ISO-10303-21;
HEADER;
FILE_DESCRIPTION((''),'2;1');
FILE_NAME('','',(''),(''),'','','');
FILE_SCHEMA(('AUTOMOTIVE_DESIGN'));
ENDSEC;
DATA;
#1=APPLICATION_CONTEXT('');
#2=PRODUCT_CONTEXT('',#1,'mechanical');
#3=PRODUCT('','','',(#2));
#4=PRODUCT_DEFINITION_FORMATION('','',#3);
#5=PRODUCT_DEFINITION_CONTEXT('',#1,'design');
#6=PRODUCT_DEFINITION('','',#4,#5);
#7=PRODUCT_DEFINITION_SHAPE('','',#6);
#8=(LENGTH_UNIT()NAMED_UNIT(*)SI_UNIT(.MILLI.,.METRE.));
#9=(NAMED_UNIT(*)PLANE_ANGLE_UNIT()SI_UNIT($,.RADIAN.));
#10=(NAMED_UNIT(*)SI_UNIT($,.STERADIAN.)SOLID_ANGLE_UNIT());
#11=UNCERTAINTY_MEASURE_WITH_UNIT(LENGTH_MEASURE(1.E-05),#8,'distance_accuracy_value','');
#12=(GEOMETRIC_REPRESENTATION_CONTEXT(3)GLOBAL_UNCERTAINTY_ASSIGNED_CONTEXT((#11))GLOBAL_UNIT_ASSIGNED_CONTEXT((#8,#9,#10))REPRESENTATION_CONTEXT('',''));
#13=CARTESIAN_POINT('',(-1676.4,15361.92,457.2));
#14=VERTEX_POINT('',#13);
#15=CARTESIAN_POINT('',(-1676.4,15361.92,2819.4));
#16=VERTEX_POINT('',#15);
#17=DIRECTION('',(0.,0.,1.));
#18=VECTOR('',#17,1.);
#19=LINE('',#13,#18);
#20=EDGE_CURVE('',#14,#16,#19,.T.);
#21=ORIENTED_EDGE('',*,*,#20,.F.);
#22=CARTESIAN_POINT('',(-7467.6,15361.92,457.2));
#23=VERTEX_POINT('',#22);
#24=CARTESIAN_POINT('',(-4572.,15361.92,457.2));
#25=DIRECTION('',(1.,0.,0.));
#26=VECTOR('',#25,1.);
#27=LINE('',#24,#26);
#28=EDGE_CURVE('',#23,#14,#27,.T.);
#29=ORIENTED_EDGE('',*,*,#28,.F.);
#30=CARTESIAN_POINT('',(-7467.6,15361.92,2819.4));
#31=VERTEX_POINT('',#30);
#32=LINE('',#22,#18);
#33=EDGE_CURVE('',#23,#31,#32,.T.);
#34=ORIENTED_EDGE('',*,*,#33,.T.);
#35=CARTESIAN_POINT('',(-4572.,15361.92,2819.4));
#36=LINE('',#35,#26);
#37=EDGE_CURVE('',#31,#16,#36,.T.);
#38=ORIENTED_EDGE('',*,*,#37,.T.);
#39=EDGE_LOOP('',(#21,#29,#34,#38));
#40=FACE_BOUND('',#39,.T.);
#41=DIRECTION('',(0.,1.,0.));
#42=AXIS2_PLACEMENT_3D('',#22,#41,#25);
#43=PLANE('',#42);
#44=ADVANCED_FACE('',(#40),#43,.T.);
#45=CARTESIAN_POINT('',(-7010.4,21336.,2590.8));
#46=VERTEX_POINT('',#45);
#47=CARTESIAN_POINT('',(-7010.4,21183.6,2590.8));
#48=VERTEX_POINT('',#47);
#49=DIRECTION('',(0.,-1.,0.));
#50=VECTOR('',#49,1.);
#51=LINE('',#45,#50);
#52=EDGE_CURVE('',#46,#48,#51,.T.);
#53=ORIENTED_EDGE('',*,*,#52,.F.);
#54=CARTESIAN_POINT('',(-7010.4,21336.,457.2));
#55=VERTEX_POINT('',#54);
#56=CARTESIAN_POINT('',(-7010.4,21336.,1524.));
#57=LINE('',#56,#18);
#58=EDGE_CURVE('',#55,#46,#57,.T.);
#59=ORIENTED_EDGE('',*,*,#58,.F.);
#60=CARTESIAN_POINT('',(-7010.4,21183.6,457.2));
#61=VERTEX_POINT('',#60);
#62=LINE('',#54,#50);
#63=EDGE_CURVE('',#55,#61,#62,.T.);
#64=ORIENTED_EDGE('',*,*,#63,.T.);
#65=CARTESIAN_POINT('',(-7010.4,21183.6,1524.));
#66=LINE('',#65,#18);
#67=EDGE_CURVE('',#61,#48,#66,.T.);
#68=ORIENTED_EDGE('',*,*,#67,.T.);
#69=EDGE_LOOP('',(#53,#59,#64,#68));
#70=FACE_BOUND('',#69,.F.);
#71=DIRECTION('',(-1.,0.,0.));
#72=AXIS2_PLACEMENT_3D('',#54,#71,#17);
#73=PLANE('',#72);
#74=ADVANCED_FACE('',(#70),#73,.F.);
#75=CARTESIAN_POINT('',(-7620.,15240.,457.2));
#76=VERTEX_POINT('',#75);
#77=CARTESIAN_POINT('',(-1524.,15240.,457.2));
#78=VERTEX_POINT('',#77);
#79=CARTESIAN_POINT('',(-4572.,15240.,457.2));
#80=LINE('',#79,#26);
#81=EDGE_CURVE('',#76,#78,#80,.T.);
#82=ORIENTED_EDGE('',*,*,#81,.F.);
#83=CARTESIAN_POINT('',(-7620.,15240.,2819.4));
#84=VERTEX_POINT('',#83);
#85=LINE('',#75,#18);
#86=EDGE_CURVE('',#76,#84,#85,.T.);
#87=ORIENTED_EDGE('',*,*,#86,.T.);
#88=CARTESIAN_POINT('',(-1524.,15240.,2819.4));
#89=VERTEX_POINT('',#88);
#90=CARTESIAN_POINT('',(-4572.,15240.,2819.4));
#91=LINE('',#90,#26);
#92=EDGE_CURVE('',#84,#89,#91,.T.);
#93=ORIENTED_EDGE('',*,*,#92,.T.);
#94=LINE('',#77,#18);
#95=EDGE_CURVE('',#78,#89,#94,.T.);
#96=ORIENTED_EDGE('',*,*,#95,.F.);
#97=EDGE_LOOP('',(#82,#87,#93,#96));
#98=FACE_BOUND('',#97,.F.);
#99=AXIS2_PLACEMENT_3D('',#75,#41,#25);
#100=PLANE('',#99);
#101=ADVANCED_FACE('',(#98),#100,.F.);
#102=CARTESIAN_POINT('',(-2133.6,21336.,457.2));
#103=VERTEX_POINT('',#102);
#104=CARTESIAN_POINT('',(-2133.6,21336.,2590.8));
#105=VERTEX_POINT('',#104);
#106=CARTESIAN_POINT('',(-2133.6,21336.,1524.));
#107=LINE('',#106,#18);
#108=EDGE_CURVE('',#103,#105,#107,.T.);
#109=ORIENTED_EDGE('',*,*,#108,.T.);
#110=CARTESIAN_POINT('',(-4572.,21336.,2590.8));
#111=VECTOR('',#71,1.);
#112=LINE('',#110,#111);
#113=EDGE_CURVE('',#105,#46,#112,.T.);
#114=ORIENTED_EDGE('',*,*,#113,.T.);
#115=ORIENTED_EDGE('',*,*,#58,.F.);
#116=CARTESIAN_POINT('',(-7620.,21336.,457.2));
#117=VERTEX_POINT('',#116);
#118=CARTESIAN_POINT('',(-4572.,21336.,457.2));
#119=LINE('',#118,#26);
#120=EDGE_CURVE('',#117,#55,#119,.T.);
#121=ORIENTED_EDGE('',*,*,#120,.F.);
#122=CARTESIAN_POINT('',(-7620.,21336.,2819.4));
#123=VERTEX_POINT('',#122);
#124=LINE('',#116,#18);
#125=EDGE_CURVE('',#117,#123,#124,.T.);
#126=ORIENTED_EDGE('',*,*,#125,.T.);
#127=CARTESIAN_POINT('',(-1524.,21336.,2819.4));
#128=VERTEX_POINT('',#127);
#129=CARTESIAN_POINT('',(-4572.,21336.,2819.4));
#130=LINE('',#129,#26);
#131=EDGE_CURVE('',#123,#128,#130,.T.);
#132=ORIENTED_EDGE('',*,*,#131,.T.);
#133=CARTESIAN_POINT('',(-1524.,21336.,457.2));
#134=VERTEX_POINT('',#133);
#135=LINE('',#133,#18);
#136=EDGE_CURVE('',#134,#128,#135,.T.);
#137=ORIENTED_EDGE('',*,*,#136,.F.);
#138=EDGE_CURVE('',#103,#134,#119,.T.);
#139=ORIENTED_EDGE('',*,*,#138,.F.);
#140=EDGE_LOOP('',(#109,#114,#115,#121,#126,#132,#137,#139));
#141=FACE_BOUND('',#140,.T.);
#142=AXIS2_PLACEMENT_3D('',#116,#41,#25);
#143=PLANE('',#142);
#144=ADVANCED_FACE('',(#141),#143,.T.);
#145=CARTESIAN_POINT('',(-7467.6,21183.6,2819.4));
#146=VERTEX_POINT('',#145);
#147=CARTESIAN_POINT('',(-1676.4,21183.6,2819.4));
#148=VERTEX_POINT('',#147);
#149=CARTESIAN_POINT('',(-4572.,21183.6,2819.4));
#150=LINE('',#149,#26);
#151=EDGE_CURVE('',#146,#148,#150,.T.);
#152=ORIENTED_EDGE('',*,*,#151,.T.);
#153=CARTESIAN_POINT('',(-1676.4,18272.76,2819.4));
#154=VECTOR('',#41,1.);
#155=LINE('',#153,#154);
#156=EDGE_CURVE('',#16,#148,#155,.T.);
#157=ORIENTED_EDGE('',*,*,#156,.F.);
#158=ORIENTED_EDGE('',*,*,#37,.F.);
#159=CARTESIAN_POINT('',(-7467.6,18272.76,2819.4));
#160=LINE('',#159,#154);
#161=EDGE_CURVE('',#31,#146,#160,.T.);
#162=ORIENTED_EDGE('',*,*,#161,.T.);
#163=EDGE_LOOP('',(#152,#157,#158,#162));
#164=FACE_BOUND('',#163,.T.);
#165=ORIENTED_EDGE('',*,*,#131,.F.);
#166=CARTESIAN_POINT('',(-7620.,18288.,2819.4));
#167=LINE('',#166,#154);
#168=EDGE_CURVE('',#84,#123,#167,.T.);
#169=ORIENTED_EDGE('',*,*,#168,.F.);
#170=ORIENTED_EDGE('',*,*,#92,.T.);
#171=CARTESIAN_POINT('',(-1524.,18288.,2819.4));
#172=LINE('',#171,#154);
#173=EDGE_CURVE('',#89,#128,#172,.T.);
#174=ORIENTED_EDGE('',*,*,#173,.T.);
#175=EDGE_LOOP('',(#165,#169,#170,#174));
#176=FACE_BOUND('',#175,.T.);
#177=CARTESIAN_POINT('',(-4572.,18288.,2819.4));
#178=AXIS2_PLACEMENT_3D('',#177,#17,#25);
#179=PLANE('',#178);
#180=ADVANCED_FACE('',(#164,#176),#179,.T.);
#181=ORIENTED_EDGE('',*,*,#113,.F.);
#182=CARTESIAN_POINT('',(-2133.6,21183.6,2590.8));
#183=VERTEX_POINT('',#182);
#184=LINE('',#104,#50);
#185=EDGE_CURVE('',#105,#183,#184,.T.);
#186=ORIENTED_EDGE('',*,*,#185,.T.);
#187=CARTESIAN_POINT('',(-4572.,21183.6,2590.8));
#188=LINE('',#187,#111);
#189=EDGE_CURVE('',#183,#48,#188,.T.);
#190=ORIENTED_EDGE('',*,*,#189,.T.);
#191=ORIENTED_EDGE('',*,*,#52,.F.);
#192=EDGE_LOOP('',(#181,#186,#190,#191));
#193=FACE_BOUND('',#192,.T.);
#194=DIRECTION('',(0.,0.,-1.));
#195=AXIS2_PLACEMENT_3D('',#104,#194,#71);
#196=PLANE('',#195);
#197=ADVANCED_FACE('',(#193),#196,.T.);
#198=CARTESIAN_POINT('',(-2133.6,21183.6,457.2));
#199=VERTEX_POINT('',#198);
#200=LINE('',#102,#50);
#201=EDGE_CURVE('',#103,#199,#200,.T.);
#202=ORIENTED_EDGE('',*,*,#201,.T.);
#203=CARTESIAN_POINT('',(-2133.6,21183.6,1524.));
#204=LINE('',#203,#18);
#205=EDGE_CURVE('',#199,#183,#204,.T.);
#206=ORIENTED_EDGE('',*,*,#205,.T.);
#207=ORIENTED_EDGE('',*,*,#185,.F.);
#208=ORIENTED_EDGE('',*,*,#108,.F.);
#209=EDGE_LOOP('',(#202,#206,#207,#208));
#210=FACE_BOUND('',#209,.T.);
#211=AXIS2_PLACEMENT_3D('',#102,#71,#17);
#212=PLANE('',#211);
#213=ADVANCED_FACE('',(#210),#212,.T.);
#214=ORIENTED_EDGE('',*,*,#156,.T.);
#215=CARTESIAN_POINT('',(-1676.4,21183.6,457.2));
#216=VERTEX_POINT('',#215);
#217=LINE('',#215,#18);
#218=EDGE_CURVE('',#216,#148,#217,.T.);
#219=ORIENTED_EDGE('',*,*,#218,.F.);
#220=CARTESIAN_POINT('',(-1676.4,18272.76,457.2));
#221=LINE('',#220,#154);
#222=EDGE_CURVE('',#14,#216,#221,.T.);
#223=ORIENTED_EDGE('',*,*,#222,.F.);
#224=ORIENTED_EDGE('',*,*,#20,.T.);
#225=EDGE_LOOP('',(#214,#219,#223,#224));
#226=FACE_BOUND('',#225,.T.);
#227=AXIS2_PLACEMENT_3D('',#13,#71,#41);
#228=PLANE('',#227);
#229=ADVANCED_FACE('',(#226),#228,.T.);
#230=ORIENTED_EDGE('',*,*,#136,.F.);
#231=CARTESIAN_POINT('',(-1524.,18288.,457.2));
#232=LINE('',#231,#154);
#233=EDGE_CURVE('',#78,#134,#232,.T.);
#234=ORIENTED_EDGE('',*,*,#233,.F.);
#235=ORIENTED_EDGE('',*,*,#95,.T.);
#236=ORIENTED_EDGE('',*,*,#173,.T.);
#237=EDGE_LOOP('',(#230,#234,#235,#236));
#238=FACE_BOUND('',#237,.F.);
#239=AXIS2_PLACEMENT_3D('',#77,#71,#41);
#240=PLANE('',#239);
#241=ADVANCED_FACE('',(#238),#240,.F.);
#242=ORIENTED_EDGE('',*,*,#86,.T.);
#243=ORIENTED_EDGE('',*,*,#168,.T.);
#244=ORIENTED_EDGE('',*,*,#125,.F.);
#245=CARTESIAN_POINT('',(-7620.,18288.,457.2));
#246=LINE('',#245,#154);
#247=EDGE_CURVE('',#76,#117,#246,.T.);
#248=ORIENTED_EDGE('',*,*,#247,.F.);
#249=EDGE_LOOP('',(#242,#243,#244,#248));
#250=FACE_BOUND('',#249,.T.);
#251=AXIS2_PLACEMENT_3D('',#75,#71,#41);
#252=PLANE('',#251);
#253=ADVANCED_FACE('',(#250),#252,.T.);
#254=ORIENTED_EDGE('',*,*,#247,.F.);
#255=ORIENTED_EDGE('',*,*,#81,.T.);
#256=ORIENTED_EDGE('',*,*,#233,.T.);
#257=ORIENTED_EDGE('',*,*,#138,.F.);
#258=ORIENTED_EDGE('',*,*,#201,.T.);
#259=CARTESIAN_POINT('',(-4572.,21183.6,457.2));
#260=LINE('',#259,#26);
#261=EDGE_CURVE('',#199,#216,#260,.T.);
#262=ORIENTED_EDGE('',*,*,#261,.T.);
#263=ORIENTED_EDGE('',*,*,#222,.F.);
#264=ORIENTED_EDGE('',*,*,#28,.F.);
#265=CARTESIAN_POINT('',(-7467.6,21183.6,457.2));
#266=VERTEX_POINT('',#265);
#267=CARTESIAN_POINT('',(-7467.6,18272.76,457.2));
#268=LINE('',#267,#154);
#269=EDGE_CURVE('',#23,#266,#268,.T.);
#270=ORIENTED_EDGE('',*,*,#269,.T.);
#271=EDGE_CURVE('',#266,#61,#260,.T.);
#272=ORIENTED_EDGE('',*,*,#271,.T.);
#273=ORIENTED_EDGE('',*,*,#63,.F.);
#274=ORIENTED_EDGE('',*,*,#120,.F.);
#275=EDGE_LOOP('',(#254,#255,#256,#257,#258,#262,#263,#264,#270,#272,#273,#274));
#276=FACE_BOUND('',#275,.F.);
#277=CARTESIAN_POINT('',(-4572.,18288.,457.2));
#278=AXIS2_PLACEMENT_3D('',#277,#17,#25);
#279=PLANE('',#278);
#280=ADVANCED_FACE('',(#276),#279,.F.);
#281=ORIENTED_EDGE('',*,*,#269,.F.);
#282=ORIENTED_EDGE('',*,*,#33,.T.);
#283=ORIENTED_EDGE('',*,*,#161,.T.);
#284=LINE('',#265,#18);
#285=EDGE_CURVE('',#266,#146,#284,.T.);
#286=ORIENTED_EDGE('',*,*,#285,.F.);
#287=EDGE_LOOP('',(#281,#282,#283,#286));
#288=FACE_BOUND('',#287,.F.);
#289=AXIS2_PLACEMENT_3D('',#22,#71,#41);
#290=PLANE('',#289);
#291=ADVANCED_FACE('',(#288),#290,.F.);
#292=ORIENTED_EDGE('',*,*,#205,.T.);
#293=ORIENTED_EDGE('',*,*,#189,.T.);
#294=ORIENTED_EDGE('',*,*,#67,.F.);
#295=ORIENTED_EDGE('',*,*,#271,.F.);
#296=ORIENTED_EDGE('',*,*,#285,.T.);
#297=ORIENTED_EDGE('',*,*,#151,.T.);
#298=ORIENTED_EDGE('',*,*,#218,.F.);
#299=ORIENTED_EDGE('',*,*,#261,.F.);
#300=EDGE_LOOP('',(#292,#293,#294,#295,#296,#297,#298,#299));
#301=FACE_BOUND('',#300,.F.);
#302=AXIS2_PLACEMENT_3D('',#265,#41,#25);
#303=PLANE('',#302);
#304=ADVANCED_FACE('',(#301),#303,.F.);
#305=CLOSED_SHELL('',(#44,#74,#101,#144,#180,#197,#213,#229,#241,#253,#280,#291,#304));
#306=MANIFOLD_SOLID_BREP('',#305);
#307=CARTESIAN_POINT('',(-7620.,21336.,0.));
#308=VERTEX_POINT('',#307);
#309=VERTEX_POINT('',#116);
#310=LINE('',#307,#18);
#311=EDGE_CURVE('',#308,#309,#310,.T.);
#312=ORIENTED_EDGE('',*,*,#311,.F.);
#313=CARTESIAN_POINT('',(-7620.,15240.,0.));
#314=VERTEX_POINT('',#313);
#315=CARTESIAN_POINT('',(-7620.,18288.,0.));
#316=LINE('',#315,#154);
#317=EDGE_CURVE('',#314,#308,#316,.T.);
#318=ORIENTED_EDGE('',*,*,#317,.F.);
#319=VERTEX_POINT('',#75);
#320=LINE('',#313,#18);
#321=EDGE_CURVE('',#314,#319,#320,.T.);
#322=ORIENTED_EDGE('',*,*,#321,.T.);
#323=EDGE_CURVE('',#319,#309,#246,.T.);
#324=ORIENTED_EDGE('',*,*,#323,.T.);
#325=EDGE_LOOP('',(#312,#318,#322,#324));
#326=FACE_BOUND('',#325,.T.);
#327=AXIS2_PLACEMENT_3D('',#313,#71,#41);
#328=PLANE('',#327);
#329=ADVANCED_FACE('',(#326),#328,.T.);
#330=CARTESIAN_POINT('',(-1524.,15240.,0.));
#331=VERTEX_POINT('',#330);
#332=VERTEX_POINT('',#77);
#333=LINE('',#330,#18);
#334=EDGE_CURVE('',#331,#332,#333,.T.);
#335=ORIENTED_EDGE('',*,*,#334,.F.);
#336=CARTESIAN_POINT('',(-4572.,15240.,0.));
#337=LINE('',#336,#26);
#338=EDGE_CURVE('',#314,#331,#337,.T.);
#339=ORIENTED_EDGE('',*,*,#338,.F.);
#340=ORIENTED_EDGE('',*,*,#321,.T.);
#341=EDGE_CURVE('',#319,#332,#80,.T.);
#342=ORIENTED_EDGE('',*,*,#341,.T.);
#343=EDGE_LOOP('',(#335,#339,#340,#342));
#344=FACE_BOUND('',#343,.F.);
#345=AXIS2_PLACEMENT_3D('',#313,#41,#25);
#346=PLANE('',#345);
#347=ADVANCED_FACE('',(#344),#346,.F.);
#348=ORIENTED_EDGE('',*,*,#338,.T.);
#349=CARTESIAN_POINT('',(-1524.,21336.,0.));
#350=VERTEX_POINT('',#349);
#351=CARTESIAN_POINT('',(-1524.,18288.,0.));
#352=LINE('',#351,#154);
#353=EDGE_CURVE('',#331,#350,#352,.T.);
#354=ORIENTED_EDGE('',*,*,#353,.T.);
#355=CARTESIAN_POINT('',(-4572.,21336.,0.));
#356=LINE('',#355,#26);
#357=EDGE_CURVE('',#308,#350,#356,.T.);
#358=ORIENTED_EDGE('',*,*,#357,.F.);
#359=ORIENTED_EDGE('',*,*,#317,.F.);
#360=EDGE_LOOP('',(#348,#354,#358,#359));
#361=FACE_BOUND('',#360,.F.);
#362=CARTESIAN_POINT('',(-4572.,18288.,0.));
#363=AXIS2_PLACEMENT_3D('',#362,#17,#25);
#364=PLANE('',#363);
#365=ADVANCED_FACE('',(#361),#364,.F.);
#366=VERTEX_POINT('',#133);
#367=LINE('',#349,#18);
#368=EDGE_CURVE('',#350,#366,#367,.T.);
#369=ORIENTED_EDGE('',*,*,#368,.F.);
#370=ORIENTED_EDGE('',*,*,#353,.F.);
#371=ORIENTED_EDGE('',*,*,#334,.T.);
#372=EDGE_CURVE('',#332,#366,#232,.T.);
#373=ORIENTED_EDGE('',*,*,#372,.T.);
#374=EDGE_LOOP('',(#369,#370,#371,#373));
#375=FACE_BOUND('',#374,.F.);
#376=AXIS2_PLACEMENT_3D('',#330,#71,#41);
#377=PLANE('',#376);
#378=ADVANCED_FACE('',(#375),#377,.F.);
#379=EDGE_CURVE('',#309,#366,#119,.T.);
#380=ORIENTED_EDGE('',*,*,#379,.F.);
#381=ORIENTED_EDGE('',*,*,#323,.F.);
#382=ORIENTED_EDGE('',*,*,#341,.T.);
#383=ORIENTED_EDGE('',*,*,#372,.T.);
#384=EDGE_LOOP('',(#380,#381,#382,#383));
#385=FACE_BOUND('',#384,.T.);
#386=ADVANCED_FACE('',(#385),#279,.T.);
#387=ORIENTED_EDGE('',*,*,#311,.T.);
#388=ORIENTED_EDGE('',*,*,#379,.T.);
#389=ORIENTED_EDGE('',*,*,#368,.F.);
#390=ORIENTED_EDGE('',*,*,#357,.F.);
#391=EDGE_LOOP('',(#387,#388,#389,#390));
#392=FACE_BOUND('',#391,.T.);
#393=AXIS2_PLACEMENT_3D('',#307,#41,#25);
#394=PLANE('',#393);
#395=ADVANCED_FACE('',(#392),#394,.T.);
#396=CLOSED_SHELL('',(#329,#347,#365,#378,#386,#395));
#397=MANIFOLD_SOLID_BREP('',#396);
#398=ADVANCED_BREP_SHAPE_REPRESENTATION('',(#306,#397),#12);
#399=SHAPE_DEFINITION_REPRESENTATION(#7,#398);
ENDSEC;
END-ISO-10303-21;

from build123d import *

# Parameters (mm, degrees)
F0_W     = 6096
F0_H     = 6096
F1_DEPTH = 457.2
F2_W     = 6096
F2_H     = 6096
F2_W_2   = 5791.2
F2_H_2   = 5821.68
F3_DEPTH = 2362.2
F4_W     = 4876.8
F4_H     = 2133.6
F5_DEPTH = 152.4


with BuildPart() as f1:
    # F0 (on Top) → F1 (new body)
    with BuildSketch(Plane.XY):
        with Locations((-4572, 18288)):
            Rectangle(F0_W, F0_H)
    extrude(amount=F1_DEPTH)


with BuildPart() as f3:
    # F2 (on face) → F3 (new body)
    with BuildSketch(Plane.XY.offset(457.2)):
        with Locations((-4572, 18288)):
            Rectangle(F2_W, F2_H)
        with Locations((-4572, 18272.76)):
            Rectangle(F2_W_2, F2_H_2, mode=Mode.SUBTRACT)
    extrude(amount=F3_DEPTH)

    # F4 (on face) → F5 (cut)
    with BuildSketch(Plane(origin=(0, 21336, 0), x_dir=(-1, 0, 0), z_dir=(0, 1, 0))):
        with Locations((4572, 1524)):
            Rectangle(F4_W, F4_H)
    extrude(amount=-F5_DEPTH, mode=Mode.SUBTRACT)


solid = Compound([f1.part, f3.part])
